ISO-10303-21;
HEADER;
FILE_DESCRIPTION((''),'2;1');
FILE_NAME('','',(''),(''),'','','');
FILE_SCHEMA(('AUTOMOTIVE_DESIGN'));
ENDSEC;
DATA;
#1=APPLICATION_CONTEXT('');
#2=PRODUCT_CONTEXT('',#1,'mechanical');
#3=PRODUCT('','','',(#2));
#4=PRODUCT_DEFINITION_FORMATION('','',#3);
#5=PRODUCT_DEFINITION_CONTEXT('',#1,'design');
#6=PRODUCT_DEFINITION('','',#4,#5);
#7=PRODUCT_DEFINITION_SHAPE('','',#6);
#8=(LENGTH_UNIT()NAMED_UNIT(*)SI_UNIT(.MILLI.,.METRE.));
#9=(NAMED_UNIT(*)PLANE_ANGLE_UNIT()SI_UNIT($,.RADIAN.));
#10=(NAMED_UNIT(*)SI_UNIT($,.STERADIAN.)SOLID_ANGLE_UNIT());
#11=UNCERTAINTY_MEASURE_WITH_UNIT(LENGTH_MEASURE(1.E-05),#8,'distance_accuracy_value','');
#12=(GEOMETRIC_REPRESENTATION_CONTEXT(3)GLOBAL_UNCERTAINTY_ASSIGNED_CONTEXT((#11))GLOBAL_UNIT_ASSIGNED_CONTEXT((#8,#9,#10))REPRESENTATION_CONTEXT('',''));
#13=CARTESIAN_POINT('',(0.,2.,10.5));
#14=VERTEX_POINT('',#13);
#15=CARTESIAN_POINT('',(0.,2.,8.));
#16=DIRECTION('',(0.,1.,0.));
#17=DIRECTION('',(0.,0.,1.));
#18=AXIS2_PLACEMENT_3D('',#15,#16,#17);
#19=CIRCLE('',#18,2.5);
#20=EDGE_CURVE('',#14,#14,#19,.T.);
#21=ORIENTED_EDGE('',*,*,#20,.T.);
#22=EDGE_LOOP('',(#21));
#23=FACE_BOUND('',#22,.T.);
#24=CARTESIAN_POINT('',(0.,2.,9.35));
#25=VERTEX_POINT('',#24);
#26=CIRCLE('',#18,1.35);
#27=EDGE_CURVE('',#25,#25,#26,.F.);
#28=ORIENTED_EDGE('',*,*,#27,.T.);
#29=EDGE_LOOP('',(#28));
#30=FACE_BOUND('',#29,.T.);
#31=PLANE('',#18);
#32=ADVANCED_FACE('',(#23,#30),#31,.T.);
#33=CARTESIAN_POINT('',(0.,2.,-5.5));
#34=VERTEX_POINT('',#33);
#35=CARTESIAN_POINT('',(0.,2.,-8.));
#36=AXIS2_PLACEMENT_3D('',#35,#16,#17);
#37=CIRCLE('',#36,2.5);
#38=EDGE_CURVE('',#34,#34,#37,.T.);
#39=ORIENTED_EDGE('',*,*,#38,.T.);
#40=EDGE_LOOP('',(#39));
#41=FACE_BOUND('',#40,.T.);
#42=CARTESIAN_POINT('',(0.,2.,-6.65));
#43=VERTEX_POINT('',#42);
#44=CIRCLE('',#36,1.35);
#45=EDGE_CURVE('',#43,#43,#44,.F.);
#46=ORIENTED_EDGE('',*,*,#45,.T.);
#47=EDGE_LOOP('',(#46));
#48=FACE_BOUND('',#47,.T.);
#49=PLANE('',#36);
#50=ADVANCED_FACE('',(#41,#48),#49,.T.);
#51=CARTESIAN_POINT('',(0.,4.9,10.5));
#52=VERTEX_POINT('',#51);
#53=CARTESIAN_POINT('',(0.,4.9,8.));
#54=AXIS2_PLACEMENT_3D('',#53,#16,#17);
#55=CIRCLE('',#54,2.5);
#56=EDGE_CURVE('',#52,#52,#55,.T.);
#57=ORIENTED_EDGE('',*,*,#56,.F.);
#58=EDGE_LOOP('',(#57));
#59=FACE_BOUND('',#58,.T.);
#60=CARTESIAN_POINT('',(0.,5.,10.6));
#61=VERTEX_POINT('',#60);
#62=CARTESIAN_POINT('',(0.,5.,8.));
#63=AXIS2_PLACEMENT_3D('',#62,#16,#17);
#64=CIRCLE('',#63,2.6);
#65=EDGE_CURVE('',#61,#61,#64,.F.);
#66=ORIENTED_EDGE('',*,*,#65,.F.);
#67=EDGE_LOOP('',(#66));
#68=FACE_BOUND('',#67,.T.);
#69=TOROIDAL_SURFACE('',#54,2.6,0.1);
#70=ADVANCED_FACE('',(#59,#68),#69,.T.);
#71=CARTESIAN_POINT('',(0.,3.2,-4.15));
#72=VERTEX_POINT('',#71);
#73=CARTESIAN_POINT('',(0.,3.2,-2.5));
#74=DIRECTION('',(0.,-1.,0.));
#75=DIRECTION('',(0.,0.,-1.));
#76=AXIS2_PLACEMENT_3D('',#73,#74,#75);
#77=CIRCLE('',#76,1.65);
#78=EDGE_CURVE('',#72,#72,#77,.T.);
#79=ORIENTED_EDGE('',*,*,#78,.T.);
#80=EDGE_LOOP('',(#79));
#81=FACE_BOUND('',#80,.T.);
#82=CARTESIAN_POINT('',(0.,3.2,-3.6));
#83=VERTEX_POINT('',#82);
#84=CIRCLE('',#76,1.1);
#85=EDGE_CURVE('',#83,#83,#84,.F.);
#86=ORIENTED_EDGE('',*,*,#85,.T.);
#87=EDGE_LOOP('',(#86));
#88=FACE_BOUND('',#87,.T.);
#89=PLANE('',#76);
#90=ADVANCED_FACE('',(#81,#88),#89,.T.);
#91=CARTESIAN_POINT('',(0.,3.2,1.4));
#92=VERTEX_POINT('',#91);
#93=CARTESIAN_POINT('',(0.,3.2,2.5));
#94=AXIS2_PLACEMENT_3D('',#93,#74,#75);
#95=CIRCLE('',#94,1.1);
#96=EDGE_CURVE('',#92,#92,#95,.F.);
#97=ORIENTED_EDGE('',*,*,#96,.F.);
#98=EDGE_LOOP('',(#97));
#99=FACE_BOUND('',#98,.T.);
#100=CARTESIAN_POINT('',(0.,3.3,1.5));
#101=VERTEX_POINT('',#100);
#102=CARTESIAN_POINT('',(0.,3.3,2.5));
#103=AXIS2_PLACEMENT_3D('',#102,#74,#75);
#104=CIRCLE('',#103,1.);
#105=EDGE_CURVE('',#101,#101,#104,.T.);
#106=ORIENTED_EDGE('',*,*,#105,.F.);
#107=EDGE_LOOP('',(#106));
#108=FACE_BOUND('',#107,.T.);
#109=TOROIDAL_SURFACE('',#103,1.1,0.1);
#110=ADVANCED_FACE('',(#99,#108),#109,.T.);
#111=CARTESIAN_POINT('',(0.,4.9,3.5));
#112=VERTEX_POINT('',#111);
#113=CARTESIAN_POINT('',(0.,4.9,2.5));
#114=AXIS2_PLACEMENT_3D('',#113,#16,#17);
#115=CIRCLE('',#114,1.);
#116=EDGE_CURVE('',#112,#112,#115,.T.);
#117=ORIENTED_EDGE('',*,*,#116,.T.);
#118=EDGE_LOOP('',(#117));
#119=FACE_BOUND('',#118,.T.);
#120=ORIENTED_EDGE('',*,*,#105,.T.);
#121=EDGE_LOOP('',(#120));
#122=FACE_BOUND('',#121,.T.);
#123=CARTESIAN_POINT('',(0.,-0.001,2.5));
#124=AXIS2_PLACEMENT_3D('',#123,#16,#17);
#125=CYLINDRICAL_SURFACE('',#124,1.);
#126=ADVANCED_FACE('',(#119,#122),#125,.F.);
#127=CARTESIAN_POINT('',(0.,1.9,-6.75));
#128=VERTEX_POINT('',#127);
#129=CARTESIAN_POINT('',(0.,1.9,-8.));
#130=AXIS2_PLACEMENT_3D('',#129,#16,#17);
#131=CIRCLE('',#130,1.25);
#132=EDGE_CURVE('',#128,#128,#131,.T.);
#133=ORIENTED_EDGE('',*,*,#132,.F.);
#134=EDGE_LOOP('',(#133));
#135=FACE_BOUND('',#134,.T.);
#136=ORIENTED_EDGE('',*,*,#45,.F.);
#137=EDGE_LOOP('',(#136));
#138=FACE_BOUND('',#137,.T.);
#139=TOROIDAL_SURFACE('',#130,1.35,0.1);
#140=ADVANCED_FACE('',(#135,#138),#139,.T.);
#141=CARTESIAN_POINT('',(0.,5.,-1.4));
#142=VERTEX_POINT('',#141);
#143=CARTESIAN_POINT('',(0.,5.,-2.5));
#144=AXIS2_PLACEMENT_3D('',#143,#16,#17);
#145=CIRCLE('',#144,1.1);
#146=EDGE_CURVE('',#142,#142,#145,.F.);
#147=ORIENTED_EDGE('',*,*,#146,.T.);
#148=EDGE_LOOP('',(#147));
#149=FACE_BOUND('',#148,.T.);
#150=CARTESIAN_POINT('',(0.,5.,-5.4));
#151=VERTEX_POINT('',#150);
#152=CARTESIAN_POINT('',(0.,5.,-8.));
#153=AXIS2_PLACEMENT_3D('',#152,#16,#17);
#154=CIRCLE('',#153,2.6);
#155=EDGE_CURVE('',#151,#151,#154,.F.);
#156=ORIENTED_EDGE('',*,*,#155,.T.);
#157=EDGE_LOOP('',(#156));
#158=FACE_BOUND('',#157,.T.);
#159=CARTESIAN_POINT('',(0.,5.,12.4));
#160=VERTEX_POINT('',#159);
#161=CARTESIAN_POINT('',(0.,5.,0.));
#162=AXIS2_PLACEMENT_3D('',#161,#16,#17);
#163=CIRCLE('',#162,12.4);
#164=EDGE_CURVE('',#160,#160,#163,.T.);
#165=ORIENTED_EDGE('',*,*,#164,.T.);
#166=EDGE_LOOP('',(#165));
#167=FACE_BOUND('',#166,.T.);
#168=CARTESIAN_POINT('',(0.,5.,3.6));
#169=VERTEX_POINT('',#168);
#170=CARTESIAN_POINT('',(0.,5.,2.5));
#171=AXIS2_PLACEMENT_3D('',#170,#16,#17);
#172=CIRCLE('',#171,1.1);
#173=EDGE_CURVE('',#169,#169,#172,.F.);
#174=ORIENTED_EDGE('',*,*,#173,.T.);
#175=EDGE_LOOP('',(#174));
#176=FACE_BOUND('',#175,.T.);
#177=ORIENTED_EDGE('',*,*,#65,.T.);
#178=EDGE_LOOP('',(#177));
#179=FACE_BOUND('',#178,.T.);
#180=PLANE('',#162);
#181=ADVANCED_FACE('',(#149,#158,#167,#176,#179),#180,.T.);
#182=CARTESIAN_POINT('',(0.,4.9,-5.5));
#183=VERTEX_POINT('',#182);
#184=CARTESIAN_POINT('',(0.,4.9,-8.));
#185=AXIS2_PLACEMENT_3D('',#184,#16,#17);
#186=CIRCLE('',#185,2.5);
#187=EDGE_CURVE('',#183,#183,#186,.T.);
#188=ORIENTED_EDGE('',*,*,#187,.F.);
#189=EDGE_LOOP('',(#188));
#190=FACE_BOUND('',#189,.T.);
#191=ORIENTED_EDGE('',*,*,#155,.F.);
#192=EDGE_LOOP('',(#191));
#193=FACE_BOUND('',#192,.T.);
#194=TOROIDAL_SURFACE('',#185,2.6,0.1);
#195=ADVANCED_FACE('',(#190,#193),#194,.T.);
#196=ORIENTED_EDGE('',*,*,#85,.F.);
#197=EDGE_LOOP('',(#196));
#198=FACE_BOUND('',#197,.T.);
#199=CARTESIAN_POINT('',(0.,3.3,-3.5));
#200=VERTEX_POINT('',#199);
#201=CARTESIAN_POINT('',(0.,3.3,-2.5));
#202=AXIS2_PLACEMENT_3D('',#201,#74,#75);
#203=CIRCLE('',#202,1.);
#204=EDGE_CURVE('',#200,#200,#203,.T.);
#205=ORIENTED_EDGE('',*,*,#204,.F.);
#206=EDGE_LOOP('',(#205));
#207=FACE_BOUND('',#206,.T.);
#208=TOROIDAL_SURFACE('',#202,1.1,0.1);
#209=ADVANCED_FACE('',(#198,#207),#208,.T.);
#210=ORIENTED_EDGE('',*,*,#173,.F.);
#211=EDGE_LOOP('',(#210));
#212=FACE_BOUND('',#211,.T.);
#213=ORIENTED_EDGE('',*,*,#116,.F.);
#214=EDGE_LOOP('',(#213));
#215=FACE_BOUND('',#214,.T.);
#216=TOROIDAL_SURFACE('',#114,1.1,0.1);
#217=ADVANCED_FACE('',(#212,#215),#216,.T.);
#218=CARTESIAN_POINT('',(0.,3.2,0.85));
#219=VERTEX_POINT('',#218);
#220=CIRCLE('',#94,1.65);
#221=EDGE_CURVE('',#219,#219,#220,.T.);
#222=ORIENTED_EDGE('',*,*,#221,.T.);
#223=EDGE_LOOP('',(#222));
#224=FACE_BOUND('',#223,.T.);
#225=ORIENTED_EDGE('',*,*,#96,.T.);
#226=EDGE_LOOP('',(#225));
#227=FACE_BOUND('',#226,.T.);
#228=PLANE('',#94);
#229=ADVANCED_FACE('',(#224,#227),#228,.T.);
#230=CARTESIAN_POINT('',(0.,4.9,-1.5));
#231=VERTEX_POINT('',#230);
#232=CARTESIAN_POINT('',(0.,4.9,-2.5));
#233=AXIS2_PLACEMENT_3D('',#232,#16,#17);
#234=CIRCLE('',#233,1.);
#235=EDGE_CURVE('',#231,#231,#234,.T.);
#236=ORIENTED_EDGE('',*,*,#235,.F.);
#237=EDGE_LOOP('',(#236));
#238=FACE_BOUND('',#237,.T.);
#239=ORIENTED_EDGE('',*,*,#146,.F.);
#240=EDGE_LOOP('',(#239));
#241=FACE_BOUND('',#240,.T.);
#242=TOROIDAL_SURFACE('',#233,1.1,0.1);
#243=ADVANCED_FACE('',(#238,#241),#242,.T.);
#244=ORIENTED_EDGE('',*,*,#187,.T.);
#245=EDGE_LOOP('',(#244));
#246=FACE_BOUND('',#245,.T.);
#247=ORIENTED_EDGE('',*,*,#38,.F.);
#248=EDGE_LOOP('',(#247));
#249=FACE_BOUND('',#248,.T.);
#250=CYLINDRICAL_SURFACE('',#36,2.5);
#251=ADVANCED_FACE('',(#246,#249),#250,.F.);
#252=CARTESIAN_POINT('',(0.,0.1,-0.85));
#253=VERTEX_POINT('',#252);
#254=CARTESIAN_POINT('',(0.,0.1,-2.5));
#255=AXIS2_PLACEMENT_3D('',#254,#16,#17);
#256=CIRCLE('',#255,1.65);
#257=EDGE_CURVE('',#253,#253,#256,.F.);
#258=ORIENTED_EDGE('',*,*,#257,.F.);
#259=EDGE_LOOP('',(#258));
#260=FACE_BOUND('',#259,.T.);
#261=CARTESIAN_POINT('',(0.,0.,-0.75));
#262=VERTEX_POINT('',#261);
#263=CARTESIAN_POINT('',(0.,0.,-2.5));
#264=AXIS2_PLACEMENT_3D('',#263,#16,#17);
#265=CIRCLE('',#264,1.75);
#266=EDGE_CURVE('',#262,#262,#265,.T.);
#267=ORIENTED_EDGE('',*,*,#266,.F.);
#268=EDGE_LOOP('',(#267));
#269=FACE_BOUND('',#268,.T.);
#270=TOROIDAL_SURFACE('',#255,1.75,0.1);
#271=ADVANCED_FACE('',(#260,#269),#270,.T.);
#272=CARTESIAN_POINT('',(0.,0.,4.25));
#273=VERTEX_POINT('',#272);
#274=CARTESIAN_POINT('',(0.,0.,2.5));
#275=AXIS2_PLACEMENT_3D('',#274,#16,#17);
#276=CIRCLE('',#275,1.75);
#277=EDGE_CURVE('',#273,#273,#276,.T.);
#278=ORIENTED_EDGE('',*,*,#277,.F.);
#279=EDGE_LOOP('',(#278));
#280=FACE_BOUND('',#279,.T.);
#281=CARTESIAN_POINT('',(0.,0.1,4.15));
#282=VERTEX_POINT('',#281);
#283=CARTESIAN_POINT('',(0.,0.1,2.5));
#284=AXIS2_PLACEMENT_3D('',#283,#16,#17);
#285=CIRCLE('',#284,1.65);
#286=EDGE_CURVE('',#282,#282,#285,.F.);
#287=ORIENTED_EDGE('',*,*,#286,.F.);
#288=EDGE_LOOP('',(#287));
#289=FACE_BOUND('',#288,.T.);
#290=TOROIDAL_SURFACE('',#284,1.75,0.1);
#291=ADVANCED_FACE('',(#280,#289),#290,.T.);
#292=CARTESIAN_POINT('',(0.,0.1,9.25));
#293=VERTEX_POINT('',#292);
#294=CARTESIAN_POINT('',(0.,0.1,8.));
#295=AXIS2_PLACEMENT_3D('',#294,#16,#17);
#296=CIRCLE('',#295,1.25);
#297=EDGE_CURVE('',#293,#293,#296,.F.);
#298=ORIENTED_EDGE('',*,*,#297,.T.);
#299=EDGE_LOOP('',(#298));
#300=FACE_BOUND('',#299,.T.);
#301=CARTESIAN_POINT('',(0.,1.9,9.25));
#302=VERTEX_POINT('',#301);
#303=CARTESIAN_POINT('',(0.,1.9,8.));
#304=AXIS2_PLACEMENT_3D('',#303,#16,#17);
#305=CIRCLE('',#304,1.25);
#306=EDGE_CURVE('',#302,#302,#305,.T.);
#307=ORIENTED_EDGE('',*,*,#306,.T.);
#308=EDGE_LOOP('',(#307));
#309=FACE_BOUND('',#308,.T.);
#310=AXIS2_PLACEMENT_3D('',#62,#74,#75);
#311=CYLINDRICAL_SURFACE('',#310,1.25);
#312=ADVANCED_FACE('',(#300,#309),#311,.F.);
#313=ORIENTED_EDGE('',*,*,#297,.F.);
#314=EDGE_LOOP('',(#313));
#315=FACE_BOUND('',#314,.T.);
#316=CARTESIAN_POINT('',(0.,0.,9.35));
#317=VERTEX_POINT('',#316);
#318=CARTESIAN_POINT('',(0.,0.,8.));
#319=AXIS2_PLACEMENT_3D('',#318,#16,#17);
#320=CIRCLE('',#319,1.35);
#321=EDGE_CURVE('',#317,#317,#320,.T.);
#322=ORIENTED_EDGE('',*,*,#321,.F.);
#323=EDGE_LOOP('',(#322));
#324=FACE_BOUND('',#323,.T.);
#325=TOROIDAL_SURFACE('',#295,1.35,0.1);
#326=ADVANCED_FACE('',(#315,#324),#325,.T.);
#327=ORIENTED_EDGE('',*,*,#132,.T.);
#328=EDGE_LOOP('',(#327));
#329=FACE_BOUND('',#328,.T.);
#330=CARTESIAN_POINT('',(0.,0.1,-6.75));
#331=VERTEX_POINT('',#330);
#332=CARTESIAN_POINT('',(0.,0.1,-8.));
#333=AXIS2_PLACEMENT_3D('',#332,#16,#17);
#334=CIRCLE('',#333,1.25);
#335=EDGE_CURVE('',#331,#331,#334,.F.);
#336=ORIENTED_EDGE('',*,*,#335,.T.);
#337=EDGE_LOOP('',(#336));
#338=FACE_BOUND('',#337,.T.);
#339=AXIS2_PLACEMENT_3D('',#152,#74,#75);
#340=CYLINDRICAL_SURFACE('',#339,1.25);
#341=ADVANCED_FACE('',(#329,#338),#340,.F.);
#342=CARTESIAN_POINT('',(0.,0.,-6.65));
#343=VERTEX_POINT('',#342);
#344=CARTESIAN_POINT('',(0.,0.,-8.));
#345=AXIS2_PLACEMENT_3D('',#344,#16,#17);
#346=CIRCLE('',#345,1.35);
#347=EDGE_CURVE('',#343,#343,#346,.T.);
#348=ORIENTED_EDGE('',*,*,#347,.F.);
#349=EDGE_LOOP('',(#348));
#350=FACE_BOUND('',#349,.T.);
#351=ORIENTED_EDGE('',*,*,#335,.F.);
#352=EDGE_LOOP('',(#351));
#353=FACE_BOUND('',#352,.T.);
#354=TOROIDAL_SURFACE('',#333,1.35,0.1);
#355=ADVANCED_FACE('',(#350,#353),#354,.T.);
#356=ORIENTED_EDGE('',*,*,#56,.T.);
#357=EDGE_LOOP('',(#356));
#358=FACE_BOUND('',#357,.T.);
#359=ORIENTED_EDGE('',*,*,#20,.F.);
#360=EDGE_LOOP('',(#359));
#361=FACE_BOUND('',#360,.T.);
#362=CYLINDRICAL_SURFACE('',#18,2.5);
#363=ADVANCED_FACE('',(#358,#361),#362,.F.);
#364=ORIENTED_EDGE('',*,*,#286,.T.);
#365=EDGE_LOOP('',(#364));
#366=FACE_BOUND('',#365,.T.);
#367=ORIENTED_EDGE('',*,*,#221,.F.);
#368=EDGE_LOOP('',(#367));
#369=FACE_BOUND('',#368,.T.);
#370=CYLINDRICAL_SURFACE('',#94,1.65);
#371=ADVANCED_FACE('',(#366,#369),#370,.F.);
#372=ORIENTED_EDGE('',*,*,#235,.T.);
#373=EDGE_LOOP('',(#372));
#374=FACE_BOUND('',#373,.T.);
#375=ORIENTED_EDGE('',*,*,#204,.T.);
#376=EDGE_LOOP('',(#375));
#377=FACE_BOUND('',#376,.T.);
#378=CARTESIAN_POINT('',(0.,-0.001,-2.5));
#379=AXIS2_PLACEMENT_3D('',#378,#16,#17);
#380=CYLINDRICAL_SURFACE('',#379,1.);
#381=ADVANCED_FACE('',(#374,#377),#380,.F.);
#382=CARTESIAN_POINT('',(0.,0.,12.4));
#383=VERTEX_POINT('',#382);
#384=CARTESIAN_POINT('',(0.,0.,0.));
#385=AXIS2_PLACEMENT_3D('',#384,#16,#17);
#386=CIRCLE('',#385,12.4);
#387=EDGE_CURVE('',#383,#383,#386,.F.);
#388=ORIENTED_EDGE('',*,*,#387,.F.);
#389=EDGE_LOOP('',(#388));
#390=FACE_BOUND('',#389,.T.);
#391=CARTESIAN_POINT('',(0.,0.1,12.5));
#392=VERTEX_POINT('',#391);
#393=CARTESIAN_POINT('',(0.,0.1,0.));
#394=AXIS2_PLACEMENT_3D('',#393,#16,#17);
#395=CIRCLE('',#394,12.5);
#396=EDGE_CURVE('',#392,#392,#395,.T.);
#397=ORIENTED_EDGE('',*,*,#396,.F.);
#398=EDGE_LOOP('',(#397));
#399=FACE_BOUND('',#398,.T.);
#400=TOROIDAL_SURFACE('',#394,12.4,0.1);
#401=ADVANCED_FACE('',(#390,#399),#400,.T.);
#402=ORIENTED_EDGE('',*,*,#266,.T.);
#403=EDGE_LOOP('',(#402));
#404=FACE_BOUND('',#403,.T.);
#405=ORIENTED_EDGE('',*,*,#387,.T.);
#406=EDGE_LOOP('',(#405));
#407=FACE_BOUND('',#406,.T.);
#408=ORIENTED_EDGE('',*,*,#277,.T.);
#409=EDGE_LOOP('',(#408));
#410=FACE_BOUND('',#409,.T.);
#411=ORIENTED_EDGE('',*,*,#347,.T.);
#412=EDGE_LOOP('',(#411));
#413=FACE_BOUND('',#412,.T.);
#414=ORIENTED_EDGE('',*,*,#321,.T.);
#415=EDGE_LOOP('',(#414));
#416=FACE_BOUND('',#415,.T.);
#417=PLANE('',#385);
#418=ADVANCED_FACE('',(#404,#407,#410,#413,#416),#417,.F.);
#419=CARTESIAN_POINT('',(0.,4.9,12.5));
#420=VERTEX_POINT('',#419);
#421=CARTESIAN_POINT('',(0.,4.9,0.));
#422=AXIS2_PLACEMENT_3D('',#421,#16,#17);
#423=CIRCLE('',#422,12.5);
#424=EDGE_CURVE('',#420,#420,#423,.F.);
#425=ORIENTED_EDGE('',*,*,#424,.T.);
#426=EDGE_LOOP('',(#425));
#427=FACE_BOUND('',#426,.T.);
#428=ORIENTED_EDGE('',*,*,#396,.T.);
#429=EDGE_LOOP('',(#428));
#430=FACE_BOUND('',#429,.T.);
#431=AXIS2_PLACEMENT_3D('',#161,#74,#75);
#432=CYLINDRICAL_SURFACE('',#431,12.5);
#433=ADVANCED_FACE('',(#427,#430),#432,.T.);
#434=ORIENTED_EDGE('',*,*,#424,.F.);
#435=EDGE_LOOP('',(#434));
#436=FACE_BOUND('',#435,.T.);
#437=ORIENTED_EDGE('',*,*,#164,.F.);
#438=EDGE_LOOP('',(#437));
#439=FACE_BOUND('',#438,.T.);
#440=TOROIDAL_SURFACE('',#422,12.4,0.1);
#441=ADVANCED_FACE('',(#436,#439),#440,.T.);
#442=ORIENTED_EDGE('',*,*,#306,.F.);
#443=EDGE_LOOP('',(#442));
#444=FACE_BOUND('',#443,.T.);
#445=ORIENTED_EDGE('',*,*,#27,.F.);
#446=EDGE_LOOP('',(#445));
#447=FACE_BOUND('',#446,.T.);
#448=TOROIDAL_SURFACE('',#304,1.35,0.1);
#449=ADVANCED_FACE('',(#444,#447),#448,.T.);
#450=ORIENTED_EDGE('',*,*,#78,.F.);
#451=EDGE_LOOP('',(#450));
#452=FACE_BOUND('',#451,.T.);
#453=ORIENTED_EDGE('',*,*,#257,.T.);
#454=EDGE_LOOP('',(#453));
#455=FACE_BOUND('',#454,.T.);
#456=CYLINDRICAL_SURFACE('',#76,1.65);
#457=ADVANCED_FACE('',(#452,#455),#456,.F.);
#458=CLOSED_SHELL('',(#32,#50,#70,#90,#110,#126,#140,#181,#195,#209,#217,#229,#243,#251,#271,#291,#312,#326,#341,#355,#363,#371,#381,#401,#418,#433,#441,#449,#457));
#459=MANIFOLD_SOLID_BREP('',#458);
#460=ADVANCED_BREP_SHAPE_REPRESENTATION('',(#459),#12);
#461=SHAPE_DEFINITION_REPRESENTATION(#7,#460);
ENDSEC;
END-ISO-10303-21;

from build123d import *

# Parameters (mm, degrees)
SKETCH_1_R          = 12.5
SKETCH_1_R_2        = 1.25
EXTRUDE_1_DEPTH     = 5
CUT_EXTRUDE_1_REACH = 20.371
SKETCH_3_R          = 1
SKETCH_4_R          = 2.5
CUT_EXTRUDE_2_DEPTH = 3
SKETCH_5_R          = 1.65
CUT_EXTRUDE_3_DEPTH = 3.2
FILLET_1_R          = 0.1


with BuildPart() as part:
    # 草图1 → 凸台-拉伸1 (new body)
    with BuildSketch(Plane(origin=(0, 0, 0), x_dir=(1, 0, 0), z_dir=(0, 1, 0))):
        with Locations(Location((0, 0, 0), (0, 0, 270))):
            Circle(SKETCH_1_R)
        with Locations(Location((0, 8, 0), (0, 0, 270))):
            Circle(SKETCH_1_R_2, mode=Mode.SUBTRACT)
        with Locations(Location((0, -8, 0), (0, 0, 270))):
            Circle(SKETCH_1_R_2, mode=Mode.SUBTRACT)
    extrude(amount=EXTRUDE_1_DEPTH)

    # 草图3 → 切除-拉伸1 (cut, up to next)
    with BuildSketch(Plane(origin=(0, 5, 0), x_dir=(1, 0, 0), z_dir=(0, 1, 0)), mode=Mode.PRIVATE) as cut_extrude_1_sk1:
        with Locations(Location((0, 2.5, 0), (0, 0, 270))):
            Circle(SKETCH_3_R)
    cut_extrude_1_tool1 = extrude(cut_extrude_1_sk1.sketch, amount=-CUT_EXTRUDE_1_REACH, mode=Mode.PRIVATE) & part.part
    # 草图3 → 切除-拉伸1 (cut, up to next)
    with BuildSketch(Plane(origin=(0, 5, 0), x_dir=(1, 0, 0), z_dir=(0, 1, 0)), mode=Mode.PRIVATE) as cut_extrude_1_sk2:
        with Locations(Location((0, -2.5, 0), (0, 0, 270))):
            Circle(SKETCH_3_R)
    cut_extrude_1_tool2 = extrude(cut_extrude_1_sk2.sketch, amount=-CUT_EXTRUDE_1_REACH, mode=Mode.PRIVATE) & part.part
    add(cut_extrude_1_tool1.solids().sort_by_distance((0, 5, -2.5))[0], mode=Mode.SUBTRACT)
    add(cut_extrude_1_tool2.solids().sort_by_distance((0, 5, 2.5))[0], mode=Mode.SUBTRACT)

    # 草图4 → 切除-拉伸2 (cut)
    with BuildSketch(Plane(origin=(0, 5, 0), x_dir=(1, 0, 0), z_dir=(0, 1, 0))):
        with Locations(Location((0, 8, 0), (0, 0, 270))):
            Circle(SKETCH_4_R)
        with Locations(Location((0, -8, 0), (0, 0, 270))):
            Circle(SKETCH_4_R)
    extrude(amount=-CUT_EXTRUDE_2_DEPTH, mode=Mode.SUBTRACT)

    # 草图5 → 切除-拉伸3 (cut)
    with BuildSketch(Plane.XZ):
        with Locations(Location((0, 2.5, 0), (0, 0, 270))):
            Circle(SKETCH_5_R)
        with Locations(Location((0, -2.5, 0), (0, 0, 270))):
            Circle(SKETCH_5_R)
    extrude(amount=-CUT_EXTRUDE_3_DEPTH, mode=Mode.SUBTRACT)

    # 圆角1
    fillet_1_edges = [part.edges().sort_by_distance(p)[0] for p in [
        (0, 5, -3.5),
        (0, 5, 1.5),
        (0, 0, -12.5),
        (0, 2, -9.25),
        (0, 5, -10.5),
        (0, 2, 6.75),
        (0, 5, 5.5),
        (0, 0, 4.15),
        (0, 3.2, 1.5),
        (0, 0, -0.85),
        (0, 3.2, -3.5),
        (0, 5, -12.5),
        (0, 0, -9.25),
        (0, 0, 6.75),
    ]]
    fillet(fillet_1_edges, radius=FILLET_1_R)


solid = part.part
